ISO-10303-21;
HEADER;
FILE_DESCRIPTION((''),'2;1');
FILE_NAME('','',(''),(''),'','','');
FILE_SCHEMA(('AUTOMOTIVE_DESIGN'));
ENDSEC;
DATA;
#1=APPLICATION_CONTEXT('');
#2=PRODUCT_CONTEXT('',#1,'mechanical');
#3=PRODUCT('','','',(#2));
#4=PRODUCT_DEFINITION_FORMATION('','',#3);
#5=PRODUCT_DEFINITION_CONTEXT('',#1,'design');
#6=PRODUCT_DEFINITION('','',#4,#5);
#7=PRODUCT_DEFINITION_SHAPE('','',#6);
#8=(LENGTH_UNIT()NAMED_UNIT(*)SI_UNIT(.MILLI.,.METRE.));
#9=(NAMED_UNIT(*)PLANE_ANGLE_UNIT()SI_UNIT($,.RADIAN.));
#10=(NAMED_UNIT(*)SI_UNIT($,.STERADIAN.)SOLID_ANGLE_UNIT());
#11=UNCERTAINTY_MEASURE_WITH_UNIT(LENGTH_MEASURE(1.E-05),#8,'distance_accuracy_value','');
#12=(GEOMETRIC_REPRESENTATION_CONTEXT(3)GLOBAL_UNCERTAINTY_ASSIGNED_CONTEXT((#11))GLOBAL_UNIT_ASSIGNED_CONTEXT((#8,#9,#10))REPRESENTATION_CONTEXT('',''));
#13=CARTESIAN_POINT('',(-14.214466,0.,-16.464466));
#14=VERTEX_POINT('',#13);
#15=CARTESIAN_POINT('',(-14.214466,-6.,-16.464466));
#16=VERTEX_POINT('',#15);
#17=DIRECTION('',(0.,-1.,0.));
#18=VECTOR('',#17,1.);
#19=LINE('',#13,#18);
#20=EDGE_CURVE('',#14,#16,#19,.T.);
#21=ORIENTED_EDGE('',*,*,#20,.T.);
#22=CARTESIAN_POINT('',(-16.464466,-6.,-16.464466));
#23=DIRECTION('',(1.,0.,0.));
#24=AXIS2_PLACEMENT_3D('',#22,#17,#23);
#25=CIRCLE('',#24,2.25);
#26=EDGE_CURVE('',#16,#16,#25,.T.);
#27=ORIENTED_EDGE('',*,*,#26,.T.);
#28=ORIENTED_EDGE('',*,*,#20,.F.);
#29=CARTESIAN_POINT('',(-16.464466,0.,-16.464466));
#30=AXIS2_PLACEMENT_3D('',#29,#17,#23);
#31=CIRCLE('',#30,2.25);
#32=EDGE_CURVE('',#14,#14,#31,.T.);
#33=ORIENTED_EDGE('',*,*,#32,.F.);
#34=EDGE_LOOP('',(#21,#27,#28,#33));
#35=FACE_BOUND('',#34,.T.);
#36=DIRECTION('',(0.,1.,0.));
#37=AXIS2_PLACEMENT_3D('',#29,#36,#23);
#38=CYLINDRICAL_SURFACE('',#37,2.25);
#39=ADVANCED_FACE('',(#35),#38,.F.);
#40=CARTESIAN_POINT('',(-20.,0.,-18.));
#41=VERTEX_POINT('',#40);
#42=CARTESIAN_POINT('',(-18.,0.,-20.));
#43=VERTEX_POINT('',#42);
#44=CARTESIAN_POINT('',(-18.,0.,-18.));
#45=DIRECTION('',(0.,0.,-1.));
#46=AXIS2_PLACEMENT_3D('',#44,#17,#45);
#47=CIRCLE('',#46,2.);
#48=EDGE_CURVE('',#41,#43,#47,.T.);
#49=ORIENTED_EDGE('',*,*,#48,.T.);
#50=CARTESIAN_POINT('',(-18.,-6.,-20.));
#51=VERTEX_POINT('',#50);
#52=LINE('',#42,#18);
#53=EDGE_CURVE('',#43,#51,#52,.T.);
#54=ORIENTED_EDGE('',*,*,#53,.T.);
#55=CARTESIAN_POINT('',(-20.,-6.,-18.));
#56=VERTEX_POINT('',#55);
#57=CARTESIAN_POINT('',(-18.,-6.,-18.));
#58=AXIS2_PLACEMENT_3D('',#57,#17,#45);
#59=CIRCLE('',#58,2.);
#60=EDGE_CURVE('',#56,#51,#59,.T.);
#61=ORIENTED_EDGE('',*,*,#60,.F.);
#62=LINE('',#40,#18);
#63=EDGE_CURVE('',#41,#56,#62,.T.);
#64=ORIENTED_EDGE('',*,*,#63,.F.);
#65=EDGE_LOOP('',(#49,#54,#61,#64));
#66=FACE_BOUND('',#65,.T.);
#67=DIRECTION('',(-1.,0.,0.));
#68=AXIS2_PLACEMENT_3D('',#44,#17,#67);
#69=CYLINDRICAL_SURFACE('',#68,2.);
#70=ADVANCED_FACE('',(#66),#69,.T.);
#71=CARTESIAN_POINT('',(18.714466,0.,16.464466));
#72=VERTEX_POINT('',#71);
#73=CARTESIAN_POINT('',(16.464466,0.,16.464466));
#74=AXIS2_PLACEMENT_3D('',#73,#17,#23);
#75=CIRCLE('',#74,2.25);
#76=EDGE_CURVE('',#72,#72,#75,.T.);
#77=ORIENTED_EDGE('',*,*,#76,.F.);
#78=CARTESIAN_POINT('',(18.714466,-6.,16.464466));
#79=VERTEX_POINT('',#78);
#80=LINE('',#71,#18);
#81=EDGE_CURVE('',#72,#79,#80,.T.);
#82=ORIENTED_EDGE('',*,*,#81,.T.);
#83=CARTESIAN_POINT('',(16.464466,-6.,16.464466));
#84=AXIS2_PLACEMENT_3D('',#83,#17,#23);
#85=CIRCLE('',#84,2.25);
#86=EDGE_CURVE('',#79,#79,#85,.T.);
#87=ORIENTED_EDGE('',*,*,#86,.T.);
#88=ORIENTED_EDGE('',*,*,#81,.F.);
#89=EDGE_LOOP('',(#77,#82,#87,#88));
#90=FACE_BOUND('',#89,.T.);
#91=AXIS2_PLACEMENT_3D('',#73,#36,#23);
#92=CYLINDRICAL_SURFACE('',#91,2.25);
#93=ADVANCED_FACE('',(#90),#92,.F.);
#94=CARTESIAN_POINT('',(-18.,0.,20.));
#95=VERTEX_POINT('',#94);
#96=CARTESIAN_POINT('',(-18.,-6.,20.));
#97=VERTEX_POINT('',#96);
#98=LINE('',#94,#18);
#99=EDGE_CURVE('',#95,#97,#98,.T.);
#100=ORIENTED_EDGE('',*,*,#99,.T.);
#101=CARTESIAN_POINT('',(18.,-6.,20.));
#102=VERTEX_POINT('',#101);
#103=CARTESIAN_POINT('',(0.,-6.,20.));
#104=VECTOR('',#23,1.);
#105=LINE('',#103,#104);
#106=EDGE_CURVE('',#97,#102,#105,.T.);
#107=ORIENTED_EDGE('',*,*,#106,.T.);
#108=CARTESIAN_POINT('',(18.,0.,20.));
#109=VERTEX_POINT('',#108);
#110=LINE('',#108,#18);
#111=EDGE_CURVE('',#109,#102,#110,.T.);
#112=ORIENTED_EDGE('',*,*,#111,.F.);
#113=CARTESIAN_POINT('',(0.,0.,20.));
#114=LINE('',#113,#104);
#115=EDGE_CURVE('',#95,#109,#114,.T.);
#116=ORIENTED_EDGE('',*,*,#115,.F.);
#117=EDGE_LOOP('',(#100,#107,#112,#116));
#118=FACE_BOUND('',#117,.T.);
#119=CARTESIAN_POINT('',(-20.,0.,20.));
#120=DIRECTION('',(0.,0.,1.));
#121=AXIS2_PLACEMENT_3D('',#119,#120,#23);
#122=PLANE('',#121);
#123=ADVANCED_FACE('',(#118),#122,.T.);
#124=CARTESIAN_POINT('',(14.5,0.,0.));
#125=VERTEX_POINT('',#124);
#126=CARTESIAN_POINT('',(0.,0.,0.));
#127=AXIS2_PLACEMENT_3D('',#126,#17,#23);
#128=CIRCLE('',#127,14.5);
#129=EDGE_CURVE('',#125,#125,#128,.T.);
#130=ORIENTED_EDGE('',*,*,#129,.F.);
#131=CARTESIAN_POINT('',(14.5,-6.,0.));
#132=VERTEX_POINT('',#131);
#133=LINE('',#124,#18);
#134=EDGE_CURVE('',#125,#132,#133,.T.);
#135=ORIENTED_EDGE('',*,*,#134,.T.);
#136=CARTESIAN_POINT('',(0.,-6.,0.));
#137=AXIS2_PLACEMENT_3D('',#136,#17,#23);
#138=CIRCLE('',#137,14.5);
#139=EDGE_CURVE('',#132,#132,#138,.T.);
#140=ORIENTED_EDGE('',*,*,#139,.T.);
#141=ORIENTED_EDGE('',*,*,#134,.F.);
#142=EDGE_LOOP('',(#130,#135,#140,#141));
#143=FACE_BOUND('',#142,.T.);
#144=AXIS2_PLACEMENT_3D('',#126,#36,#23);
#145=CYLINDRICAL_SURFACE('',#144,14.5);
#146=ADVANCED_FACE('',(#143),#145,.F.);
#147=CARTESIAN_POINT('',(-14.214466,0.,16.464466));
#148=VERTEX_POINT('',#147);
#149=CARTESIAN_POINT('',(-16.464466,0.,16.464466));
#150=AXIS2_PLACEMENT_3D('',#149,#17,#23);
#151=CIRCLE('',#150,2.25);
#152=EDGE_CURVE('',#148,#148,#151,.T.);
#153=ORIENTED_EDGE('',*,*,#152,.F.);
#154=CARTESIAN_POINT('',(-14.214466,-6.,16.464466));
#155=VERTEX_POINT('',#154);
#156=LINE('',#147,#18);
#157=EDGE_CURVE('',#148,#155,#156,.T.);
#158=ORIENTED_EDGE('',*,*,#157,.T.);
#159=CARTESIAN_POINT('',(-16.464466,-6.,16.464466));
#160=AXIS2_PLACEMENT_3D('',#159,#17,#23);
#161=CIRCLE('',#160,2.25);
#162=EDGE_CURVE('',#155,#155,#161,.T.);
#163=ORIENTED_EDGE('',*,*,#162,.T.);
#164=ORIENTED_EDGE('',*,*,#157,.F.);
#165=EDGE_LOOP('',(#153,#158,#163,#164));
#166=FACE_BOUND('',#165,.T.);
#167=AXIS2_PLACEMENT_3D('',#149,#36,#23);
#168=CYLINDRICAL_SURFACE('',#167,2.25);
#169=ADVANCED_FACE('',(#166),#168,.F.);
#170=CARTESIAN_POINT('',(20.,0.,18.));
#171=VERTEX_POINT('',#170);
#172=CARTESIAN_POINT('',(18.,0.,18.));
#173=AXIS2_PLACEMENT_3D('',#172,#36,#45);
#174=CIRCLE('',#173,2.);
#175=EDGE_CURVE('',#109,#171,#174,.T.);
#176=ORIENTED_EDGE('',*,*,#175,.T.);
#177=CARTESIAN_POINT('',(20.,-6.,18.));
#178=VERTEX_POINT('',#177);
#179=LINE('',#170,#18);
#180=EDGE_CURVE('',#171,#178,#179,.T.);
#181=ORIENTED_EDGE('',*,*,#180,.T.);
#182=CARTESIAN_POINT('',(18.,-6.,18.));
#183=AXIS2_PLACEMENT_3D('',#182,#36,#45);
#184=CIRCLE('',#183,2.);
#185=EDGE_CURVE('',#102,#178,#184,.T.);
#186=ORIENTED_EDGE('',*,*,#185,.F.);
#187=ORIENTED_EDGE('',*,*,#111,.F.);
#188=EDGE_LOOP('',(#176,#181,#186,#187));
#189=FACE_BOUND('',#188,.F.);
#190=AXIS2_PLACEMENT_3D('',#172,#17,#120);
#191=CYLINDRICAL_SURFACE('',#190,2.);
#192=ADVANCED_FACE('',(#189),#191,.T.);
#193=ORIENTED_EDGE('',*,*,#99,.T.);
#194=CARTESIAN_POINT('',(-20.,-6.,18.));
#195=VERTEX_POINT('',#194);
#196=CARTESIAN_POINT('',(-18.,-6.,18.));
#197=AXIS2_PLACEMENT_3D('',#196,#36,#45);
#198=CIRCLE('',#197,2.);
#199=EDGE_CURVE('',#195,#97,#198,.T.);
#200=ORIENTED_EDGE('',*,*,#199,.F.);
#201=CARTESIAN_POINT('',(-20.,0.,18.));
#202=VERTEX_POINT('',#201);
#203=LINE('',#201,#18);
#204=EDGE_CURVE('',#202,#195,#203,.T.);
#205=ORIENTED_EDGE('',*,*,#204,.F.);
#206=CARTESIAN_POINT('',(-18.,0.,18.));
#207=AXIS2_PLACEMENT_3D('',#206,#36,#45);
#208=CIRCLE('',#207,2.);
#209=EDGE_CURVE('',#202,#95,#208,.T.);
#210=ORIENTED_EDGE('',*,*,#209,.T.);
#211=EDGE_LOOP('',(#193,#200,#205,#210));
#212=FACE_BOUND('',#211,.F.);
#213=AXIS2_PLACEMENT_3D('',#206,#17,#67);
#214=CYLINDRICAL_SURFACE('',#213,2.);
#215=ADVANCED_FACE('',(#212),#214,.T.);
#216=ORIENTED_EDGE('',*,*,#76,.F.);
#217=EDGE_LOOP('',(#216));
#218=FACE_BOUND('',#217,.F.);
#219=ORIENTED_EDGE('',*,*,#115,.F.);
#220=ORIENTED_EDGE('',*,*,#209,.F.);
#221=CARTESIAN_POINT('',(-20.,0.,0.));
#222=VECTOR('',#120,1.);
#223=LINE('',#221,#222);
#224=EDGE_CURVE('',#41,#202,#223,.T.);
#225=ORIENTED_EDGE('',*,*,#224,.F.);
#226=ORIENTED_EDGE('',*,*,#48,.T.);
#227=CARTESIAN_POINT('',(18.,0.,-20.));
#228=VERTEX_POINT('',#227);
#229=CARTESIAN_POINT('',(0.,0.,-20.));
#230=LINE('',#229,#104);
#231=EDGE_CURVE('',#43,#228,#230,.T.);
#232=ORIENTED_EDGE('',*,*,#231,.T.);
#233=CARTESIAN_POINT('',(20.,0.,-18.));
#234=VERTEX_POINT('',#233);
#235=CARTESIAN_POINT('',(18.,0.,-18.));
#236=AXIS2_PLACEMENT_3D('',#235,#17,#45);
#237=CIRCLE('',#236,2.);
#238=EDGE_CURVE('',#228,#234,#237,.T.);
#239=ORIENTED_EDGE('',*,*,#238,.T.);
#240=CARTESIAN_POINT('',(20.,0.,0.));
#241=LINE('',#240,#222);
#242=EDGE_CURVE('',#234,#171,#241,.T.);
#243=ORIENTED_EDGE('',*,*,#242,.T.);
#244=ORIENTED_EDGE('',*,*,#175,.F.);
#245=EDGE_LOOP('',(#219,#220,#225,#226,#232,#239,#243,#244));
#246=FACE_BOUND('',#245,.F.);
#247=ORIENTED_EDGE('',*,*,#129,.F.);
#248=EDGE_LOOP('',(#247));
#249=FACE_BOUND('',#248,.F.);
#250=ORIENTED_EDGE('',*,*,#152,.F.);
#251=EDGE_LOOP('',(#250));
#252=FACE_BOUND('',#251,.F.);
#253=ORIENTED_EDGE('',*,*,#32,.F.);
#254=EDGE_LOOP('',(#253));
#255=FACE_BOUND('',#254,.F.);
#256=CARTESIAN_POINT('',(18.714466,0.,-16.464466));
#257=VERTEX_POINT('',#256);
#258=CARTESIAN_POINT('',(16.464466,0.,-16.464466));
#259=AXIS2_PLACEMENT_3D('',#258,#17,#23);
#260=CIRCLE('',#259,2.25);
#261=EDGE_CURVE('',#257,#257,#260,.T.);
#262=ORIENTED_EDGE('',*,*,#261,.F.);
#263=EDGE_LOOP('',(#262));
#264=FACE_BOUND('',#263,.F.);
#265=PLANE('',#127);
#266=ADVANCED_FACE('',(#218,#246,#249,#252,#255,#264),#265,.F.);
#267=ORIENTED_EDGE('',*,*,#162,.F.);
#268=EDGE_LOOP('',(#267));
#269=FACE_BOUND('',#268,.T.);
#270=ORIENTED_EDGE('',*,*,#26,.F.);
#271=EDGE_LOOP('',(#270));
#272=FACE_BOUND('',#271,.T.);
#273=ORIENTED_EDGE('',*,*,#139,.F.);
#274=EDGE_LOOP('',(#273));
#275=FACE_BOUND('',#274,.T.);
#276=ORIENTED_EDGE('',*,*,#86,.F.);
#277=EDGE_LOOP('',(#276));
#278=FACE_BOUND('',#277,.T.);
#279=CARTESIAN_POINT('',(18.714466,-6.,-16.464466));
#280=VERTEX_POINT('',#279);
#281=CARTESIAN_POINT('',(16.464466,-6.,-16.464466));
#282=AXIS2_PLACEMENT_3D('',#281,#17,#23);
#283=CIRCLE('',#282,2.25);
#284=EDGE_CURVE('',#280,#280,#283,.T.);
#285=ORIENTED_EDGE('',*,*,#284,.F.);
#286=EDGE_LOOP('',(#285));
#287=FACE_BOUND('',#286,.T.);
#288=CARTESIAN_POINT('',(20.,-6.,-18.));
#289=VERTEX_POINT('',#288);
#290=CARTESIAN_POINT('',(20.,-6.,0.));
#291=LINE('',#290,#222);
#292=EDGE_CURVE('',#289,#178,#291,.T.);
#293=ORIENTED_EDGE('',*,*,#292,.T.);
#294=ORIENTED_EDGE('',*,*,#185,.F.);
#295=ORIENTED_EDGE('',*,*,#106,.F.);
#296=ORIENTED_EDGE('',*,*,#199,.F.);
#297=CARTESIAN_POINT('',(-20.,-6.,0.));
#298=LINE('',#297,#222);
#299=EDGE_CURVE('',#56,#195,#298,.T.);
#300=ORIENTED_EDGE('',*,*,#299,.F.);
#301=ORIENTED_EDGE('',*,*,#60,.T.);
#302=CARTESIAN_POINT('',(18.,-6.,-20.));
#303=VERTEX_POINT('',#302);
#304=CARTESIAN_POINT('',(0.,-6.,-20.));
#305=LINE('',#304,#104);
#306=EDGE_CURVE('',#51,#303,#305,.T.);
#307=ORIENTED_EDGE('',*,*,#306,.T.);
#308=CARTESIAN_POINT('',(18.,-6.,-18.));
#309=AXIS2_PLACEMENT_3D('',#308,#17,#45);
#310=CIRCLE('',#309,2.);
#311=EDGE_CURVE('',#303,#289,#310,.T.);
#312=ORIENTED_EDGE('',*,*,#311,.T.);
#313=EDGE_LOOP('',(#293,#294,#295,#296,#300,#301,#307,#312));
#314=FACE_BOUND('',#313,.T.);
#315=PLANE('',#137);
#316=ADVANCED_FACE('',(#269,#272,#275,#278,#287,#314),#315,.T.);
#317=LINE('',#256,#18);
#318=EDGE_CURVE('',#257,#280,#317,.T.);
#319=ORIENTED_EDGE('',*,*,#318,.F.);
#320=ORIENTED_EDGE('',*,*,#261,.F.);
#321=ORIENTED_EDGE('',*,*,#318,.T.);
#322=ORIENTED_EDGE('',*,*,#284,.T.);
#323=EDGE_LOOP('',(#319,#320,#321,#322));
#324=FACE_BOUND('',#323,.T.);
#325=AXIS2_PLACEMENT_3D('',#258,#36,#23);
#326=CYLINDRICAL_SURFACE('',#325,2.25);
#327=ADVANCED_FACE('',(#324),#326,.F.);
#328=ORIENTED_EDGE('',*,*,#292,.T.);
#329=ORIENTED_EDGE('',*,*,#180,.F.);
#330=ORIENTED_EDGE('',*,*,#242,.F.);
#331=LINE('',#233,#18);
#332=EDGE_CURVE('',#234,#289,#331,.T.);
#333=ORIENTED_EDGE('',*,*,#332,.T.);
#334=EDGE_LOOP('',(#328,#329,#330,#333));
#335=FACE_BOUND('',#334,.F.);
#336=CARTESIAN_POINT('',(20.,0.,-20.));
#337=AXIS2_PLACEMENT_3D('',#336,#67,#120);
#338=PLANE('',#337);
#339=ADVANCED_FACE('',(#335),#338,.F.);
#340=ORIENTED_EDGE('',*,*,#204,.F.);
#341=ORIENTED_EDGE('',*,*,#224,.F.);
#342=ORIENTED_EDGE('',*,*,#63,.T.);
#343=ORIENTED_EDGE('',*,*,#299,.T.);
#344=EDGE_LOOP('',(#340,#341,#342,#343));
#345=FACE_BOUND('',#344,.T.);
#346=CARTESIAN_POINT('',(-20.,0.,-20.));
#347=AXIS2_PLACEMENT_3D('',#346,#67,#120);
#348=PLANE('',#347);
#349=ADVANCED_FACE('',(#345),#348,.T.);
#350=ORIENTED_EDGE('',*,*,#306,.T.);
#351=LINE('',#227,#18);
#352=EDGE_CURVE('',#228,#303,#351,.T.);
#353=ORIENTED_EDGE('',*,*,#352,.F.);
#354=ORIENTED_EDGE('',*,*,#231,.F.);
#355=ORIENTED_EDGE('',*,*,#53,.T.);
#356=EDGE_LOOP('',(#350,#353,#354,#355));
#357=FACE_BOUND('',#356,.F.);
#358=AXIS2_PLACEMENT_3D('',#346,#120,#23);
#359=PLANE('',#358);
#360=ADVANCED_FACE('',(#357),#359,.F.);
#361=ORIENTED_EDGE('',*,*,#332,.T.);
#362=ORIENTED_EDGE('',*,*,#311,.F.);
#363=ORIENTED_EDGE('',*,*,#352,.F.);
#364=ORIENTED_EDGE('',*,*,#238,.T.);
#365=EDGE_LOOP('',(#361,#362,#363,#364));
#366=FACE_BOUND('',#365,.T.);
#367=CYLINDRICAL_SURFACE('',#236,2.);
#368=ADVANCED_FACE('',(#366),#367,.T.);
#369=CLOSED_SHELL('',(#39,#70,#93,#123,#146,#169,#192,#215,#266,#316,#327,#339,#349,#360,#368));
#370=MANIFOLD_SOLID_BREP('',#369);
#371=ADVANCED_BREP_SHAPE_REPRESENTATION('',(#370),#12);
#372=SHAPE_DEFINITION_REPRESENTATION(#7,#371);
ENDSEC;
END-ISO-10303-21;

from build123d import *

# Parameters (mm, degrees)
F0_W     = 40
F0_H     = 40
F0_R     = 2.25
F0_R_2   = 14.5
F1_DEPTH = 6
F2_R     = 2


with BuildPart() as f1:
    # F0 (on Front) → F1 (new body)
    with BuildSketch(Plane.XZ):
        Rectangle(F0_W, F0_H)
        with Locations((-16.464466, -16.464466)):
            Circle(F0_R, mode=Mode.SUBTRACT)
        with Locations((16.464466, -16.464466)):
            Circle(F0_R, mode=Mode.SUBTRACT)
        with Locations((-16.464466, 16.464466)):
            Circle(F0_R, mode=Mode.SUBTRACT)
        Circle(F0_R_2, mode=Mode.SUBTRACT)
        with Locations((16.464466, 16.464466)):
            Circle(F0_R, mode=Mode.SUBTRACT)
    extrude(amount=F1_DEPTH)

    # F2
    f2_edges = [f1.edges().sort_by_distance(p)[0] for p in [
        (-20, -3, 20),
        (20, -3, 20),
        (20, -3, -20),
        (-20, -3, -20),
    ]]
    fillet(f2_edges, radius=F2_R)


solid = f1.part
